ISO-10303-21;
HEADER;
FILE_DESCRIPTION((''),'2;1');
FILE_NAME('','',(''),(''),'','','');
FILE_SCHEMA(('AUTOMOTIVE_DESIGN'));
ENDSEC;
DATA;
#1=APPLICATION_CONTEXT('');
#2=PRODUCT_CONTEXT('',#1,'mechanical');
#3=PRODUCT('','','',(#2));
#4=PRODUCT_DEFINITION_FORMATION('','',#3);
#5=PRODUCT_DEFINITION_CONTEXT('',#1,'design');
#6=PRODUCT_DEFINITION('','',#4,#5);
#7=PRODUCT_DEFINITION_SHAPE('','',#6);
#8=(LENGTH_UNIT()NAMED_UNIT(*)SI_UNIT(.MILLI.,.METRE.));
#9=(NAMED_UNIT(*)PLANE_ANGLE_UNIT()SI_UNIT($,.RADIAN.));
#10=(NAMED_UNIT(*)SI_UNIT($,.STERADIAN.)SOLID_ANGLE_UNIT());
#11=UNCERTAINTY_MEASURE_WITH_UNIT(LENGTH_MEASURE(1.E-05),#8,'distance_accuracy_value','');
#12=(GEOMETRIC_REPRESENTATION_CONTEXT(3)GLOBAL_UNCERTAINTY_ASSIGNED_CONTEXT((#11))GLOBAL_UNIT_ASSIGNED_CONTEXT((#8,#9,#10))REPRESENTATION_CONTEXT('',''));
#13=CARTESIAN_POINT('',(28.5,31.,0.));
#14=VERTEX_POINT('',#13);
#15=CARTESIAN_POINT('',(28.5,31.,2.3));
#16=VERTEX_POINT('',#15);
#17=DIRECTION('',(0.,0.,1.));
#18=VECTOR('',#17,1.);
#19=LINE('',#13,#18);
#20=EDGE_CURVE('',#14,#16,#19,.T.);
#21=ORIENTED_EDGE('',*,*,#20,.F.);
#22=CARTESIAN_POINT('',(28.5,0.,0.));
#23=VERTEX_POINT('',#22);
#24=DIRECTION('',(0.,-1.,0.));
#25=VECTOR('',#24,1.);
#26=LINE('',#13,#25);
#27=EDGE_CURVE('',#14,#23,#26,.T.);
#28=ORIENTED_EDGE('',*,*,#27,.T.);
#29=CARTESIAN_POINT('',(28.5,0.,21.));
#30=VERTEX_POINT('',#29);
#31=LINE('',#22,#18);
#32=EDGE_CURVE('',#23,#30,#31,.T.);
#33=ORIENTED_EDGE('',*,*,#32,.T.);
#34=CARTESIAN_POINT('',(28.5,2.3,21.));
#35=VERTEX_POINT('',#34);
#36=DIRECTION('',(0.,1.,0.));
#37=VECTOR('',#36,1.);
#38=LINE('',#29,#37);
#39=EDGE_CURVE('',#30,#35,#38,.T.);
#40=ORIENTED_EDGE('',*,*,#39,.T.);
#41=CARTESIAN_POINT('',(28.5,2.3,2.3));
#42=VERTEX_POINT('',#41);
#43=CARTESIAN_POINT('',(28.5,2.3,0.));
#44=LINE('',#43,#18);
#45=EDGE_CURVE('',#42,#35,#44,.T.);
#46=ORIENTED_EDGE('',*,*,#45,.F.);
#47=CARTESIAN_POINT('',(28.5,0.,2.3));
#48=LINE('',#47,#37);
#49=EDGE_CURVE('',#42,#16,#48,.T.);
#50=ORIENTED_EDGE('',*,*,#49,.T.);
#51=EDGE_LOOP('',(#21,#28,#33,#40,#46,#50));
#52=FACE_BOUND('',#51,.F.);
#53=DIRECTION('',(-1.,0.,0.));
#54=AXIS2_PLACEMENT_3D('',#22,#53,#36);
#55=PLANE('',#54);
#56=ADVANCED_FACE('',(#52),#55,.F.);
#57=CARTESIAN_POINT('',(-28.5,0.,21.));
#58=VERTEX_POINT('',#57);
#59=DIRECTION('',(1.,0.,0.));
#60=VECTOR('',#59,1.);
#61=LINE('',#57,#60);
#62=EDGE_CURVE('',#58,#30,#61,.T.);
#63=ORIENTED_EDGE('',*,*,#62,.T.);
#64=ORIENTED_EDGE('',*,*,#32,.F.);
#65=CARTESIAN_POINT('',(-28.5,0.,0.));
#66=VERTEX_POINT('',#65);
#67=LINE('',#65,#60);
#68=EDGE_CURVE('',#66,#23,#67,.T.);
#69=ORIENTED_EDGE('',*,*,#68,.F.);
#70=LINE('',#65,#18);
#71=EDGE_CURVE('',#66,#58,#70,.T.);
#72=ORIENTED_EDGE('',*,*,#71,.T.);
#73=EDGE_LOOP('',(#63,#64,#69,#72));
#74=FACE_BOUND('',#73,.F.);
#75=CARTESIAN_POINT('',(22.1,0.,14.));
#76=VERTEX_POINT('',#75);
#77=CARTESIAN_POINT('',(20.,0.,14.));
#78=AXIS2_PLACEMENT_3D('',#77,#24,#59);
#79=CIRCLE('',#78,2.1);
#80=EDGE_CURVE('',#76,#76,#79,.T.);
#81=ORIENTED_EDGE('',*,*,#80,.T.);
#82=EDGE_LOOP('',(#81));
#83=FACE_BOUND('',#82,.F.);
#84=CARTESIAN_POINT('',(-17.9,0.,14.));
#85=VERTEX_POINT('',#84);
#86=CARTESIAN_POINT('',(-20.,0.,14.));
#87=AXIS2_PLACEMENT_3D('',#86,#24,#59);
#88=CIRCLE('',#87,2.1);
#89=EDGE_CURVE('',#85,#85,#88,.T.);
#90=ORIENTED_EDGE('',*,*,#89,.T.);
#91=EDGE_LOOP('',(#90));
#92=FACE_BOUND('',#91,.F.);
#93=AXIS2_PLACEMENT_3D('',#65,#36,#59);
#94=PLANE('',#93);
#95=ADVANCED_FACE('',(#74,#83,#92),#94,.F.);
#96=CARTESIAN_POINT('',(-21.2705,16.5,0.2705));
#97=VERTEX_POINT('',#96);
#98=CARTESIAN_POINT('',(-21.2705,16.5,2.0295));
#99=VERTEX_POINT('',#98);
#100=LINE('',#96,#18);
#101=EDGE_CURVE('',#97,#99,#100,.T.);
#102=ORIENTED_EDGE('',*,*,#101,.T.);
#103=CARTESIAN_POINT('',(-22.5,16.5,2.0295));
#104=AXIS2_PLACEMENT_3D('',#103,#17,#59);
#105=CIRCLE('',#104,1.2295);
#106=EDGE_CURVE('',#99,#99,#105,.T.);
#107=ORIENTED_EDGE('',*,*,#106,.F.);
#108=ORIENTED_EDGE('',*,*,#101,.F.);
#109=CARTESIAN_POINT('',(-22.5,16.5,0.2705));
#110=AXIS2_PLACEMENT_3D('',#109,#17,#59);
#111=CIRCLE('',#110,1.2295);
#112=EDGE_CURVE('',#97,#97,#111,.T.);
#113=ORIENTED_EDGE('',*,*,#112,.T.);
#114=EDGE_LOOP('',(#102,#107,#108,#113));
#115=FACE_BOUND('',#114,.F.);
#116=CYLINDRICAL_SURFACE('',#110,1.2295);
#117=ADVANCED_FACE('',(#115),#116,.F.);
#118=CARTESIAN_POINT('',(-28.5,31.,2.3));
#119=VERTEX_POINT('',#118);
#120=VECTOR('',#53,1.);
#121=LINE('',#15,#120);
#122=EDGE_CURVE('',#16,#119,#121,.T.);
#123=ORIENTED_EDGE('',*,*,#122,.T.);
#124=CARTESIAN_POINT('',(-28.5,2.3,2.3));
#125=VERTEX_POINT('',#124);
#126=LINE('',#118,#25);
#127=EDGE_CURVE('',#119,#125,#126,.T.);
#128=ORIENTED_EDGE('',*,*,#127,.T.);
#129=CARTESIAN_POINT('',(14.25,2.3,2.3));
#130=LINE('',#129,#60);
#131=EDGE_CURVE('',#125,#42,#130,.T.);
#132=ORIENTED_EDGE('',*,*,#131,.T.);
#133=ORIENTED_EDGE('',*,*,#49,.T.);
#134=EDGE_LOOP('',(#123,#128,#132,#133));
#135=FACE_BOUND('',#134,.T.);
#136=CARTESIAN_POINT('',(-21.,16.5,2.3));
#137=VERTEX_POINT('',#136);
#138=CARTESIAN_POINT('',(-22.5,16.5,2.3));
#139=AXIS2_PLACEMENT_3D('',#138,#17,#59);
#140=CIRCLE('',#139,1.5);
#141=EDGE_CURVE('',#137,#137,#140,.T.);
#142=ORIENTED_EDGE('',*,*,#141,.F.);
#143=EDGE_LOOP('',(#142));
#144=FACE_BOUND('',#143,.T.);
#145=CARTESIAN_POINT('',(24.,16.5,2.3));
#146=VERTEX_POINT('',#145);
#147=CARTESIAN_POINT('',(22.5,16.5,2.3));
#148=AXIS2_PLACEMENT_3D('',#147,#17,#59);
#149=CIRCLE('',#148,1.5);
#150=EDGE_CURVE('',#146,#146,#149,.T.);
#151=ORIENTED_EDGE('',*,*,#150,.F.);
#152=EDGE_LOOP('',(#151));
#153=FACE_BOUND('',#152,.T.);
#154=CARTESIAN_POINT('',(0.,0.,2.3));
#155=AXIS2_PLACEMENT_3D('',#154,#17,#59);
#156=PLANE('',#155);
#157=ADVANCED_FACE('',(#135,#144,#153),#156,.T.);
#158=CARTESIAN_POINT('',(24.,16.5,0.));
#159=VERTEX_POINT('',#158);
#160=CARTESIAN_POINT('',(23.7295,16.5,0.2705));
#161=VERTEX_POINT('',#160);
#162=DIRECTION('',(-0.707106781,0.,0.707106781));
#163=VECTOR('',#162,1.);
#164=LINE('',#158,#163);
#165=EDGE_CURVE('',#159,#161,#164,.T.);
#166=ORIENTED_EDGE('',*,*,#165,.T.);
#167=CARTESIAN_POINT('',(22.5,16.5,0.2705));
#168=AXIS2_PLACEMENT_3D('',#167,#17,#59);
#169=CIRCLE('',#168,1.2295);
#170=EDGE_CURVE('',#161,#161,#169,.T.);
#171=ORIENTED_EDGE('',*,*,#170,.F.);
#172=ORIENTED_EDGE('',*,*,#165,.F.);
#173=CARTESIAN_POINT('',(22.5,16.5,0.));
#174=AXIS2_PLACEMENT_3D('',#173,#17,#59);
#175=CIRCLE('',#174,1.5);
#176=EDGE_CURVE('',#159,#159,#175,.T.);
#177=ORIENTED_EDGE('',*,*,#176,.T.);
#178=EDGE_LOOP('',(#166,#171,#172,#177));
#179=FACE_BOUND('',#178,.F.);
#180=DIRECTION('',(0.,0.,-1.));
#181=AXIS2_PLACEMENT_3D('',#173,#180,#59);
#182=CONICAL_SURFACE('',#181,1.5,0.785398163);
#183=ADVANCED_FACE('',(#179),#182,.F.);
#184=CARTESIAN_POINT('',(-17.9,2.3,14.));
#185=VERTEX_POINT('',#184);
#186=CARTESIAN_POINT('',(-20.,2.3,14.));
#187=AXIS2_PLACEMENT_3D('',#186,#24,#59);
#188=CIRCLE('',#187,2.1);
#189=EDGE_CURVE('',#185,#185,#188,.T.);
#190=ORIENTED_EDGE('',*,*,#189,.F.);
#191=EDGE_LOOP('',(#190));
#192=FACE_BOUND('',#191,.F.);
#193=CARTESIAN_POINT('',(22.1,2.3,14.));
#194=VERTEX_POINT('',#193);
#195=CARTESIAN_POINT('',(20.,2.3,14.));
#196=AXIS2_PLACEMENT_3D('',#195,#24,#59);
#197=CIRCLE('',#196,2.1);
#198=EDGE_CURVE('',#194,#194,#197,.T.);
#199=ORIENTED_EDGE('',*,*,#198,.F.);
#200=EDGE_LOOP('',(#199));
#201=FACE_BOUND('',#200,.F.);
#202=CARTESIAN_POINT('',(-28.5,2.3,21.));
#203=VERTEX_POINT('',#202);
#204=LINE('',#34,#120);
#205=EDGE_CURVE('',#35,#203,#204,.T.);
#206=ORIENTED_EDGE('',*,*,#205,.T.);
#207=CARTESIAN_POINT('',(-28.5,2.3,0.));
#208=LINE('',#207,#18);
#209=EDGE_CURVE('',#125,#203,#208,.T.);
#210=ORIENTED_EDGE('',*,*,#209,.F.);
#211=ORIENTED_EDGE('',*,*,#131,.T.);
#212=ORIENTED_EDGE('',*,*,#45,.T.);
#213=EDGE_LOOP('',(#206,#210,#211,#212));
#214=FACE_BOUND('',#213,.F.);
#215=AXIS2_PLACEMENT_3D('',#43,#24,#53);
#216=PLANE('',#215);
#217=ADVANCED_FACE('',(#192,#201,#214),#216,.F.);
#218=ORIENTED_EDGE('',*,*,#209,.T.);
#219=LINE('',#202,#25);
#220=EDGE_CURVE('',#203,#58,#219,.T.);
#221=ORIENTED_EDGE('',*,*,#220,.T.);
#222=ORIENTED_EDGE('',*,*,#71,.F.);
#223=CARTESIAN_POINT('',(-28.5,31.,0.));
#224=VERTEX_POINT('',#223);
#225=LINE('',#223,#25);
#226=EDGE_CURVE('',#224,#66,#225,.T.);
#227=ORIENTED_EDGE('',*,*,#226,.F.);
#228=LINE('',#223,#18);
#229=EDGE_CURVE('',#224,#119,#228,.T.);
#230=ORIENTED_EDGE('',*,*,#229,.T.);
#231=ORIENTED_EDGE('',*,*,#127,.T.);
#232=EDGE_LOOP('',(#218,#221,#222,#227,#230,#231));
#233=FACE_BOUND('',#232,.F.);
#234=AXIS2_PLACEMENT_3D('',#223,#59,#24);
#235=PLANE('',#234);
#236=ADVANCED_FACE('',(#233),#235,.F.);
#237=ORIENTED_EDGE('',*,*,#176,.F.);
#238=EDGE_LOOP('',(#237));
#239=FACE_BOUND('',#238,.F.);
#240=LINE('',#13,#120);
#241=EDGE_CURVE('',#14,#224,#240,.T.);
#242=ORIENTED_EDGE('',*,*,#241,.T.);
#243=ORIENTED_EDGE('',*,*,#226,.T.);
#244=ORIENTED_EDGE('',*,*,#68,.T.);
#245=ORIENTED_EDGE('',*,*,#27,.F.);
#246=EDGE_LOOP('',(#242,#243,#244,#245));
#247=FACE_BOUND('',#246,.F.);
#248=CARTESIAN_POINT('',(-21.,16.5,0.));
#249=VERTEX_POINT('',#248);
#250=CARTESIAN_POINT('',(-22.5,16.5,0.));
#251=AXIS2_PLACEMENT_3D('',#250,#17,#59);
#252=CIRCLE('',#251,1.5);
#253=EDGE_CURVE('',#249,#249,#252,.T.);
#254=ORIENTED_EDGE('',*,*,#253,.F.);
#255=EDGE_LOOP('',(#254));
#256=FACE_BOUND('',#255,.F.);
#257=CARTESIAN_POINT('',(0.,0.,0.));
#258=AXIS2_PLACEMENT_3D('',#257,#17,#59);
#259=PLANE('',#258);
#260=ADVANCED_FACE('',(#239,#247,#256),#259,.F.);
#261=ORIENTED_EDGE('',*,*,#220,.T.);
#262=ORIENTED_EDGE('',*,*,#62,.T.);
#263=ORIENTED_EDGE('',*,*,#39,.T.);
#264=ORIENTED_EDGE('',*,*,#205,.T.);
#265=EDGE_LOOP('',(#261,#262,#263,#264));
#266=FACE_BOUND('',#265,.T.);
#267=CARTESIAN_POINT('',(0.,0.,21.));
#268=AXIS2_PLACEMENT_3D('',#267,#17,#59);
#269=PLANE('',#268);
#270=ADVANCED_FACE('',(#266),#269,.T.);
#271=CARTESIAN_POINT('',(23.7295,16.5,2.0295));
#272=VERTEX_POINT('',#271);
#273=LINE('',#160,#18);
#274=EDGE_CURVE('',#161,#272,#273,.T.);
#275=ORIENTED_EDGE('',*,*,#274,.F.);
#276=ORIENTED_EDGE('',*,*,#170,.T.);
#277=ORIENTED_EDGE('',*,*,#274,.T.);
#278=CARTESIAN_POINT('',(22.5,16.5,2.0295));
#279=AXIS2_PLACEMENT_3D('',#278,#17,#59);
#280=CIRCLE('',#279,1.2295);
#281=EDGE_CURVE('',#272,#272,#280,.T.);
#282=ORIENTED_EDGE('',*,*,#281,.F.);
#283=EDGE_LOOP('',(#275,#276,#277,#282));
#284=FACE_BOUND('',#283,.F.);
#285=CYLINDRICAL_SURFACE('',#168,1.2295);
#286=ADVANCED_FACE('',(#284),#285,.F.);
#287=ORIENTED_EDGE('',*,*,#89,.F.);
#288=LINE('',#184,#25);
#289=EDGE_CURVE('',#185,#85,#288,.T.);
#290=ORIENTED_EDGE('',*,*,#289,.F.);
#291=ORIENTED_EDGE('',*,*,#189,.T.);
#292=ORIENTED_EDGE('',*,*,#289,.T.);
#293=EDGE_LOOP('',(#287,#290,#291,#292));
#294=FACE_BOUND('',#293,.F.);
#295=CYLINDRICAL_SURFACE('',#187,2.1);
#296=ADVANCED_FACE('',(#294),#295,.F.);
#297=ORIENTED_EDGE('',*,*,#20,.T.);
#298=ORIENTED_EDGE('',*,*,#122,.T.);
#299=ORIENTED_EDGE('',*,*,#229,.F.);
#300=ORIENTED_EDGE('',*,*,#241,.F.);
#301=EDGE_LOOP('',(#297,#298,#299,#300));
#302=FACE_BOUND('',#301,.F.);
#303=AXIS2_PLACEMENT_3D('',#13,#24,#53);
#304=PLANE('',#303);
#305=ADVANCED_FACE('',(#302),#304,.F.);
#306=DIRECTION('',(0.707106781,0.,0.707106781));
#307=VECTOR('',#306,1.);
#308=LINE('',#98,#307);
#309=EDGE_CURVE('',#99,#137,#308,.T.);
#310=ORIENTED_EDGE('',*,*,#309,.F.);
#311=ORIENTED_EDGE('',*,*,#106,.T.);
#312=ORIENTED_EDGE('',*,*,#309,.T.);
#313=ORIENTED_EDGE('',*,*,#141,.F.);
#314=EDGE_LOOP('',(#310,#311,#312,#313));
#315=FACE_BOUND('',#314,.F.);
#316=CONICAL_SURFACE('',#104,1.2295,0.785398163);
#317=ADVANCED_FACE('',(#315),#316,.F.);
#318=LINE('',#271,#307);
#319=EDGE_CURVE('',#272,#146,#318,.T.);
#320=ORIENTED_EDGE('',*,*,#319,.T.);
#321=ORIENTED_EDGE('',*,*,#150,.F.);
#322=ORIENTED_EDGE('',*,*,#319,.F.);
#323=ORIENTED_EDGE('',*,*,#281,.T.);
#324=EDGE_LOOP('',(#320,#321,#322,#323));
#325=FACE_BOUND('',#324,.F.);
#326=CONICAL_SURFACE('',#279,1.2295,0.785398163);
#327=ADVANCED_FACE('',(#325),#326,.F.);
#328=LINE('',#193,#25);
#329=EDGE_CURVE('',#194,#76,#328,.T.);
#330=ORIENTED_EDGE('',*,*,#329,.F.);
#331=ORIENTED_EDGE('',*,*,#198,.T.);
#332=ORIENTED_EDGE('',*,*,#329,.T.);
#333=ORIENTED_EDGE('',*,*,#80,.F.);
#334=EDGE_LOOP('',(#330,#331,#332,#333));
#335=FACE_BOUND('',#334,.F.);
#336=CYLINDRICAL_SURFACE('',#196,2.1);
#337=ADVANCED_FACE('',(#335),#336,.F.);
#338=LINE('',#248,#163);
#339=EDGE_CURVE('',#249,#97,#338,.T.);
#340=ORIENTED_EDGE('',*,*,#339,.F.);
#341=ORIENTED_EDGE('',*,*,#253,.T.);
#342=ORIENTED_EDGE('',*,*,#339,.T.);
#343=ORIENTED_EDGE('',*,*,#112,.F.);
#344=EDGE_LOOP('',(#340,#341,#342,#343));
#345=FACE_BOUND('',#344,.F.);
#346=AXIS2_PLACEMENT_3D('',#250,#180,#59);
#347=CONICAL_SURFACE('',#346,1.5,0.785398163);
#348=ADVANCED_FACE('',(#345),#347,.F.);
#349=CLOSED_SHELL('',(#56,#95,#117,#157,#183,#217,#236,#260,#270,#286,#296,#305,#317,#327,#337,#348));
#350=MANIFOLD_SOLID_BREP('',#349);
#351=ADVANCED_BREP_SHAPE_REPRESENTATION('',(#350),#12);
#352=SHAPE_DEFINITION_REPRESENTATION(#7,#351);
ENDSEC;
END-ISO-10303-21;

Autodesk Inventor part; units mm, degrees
sketch "Sketch_1" plane through (0, 0, 0) normal (0, 0, 1) x (1, 0, 0)
  line L0 (-28.5, 0) -> (28.5, 0)
  line L1 (28.5, 0) -> (28.5, 31)
  line L2 (28.5, 31) -> (-28.5, 31)
  line L3 (-28.5, 31) -> (-28.5, 0)
extrude "Extrusion1" add sketch "Sketch_1" along normal blind 2.3
sketch "Sketch_3" plane through (0, 16.5, 0) normal (0, 1, 0) x (1, 0, 0)
  line L0 (22.5, -2.3) -> (22.5, 0)
  line L1 (22.5, 0) -> (24, 0)
  line L2 (24, 0) -> (23.7295, -0.2705)
  line L3 (23.7295, -0.2705) -> (23.7295, -2.0295)
  line L4 (23.7295, -2.0295) -> (24, -2.3)
  line L5 (24, -2.3) -> (22.5, -2.3)
  line L6 (22.5, -2.3) -> (22.5, 0)
revolve "Revolution1" cut sketch "Sketch_3" angle 360 about axis through (22.5, 16.5, 2.3) along (0, 0, 1)
thread "Thread1" size "M3x0.5" class "6H" standard "ISO Metric profile" full length
sketch "Sketch_2" plane through (0, 16.5, 0) normal (0, 1, 0) x (1, 0, 0)
  line L0 (-22.5, -2.3) -> (-22.5, 0)
  line L1 (-22.5, 0) -> (-21, 0)
  line L2 (-21, 0) -> (-21.2705, -0.2705)
  line L3 (-21.2705, -0.2705) -> (-21.2705, -2.0295)
  line L4 (-21.2705, -2.0295) -> (-21, -2.3)
  line L5 (-21, -2.3) -> (-22.5, -2.3)
  line L6 (-22.5, -2.3) -> (-22.5, 0)
revolve "Revolution2" cut sketch "Sketch_2" angle 360 about axis through (-22.5, 16.5, 2.3) along (0, 0, 1)
thread "Thread2" size "M3x0.5" class "6H" standard "ISO Metric profile" full length
sketch "Sketch_10" plane through (0, 0, 0) normal (0, 0, 1) x (1, 0, 0)
  line L0 (-28.5, 0) -> (28.5, 0)
  line L1 (28.5, 0) -> (28.5, 2.3)
  line L2 (28.5, 2.3) -> (-28.5, 2.3)
  line L3 (-28.5, 2.3) -> (-28.5, 0)
extrude "Extrusion2" add sketch "Sketch_10" along normal blind 21
sketch "Sketch_11" plane through (0, 0, 14) normal (0, 0, 1) x (1, 0, 0)
  line L0 (20, 0) -> (20, 2.3)
  line L1 (20, 2.3) -> (22.1, 2.3)
  line L2 (22.1, 2.3) -> (22.1, 0)
  line L3 (22.1, 0) -> (20, 0)
  line L4 (20, 0) -> (20, 2.3)
revolve "Revolution3" cut sketch "Sketch_11" angle 360 about axis through (20, 0, 14) along (0, -1, 0)
sketch "Sketch_12" plane through (0, 0, 14) normal (0, 0, 1) x (1, 0, 0)
  line L0 (-20, 0) -> (-20, 2.3)
  line L1 (-20, 2.3) -> (-17.9, 2.3)
  line L2 (-17.9, 2.3) -> (-17.9, 0)
  line L3 (-17.9, 0) -> (-20, 0)
  line L4 (-20, 0) -> (-20, 2.3)
revolve "Revolution4" cut sketch "Sketch_12" angle 360 about axis through (-20, 0, 14) along (0, -1, 0)
ref_plane "mgn_screw1_XY" through (22.5, 16.5, 0) normal (0, 0, 1) x (1, 0, 0)
ref_plane "mgn_screw1_YZ" through (22.5, 16.5, 0) normal (1, 0, 0) x (0, 1, 0)
ref_plane "mgn_screw1_ZX" through (22.5, 16.5, 0) normal (0, 1, 0) x (0, 0, 1)
ref_plane "mgn_screw2_XY" through (-22.5, 16.5, 0) normal (0, 0, 1) x (1, 0, 0)
ref_plane "mgn_screw2_YZ" through (-22.5, 16.5, 0) normal (1, 0, 0) x (0, 1, 0)
ref_plane "mgn_screw2_ZX" through (-22.5, 16.5, 0) normal (0, 1, 0) x (0, 0, 1)
ref_plane "plate_screw1_XY" through (-20, 0, 14) normal (0, 1, 0) x (1, 0, 0)
ref_plane "plate_screw1_YZ" through (-20, 0, 14) normal (1, 0, 0) x (0, 0, -1)
ref_plane "plate_screw1_ZX" through (-20, 0, 14) normal (0, 0, -1) x (0, 1, 0)
ref_plane "plate_screw2_XY" through (20, 0, 14) normal (0, 1, 0) x (1, 0, 0)
ref_plane "plate_screw2_YZ" through (20, 0, 14) normal (1, 0, 0) x (0, 0, -1)
ref_plane "plate_screw2_ZX" through (20, 0, 14) normal (0, 0, -1) x (0, 1, 0)
properties part number "ME5-5"
